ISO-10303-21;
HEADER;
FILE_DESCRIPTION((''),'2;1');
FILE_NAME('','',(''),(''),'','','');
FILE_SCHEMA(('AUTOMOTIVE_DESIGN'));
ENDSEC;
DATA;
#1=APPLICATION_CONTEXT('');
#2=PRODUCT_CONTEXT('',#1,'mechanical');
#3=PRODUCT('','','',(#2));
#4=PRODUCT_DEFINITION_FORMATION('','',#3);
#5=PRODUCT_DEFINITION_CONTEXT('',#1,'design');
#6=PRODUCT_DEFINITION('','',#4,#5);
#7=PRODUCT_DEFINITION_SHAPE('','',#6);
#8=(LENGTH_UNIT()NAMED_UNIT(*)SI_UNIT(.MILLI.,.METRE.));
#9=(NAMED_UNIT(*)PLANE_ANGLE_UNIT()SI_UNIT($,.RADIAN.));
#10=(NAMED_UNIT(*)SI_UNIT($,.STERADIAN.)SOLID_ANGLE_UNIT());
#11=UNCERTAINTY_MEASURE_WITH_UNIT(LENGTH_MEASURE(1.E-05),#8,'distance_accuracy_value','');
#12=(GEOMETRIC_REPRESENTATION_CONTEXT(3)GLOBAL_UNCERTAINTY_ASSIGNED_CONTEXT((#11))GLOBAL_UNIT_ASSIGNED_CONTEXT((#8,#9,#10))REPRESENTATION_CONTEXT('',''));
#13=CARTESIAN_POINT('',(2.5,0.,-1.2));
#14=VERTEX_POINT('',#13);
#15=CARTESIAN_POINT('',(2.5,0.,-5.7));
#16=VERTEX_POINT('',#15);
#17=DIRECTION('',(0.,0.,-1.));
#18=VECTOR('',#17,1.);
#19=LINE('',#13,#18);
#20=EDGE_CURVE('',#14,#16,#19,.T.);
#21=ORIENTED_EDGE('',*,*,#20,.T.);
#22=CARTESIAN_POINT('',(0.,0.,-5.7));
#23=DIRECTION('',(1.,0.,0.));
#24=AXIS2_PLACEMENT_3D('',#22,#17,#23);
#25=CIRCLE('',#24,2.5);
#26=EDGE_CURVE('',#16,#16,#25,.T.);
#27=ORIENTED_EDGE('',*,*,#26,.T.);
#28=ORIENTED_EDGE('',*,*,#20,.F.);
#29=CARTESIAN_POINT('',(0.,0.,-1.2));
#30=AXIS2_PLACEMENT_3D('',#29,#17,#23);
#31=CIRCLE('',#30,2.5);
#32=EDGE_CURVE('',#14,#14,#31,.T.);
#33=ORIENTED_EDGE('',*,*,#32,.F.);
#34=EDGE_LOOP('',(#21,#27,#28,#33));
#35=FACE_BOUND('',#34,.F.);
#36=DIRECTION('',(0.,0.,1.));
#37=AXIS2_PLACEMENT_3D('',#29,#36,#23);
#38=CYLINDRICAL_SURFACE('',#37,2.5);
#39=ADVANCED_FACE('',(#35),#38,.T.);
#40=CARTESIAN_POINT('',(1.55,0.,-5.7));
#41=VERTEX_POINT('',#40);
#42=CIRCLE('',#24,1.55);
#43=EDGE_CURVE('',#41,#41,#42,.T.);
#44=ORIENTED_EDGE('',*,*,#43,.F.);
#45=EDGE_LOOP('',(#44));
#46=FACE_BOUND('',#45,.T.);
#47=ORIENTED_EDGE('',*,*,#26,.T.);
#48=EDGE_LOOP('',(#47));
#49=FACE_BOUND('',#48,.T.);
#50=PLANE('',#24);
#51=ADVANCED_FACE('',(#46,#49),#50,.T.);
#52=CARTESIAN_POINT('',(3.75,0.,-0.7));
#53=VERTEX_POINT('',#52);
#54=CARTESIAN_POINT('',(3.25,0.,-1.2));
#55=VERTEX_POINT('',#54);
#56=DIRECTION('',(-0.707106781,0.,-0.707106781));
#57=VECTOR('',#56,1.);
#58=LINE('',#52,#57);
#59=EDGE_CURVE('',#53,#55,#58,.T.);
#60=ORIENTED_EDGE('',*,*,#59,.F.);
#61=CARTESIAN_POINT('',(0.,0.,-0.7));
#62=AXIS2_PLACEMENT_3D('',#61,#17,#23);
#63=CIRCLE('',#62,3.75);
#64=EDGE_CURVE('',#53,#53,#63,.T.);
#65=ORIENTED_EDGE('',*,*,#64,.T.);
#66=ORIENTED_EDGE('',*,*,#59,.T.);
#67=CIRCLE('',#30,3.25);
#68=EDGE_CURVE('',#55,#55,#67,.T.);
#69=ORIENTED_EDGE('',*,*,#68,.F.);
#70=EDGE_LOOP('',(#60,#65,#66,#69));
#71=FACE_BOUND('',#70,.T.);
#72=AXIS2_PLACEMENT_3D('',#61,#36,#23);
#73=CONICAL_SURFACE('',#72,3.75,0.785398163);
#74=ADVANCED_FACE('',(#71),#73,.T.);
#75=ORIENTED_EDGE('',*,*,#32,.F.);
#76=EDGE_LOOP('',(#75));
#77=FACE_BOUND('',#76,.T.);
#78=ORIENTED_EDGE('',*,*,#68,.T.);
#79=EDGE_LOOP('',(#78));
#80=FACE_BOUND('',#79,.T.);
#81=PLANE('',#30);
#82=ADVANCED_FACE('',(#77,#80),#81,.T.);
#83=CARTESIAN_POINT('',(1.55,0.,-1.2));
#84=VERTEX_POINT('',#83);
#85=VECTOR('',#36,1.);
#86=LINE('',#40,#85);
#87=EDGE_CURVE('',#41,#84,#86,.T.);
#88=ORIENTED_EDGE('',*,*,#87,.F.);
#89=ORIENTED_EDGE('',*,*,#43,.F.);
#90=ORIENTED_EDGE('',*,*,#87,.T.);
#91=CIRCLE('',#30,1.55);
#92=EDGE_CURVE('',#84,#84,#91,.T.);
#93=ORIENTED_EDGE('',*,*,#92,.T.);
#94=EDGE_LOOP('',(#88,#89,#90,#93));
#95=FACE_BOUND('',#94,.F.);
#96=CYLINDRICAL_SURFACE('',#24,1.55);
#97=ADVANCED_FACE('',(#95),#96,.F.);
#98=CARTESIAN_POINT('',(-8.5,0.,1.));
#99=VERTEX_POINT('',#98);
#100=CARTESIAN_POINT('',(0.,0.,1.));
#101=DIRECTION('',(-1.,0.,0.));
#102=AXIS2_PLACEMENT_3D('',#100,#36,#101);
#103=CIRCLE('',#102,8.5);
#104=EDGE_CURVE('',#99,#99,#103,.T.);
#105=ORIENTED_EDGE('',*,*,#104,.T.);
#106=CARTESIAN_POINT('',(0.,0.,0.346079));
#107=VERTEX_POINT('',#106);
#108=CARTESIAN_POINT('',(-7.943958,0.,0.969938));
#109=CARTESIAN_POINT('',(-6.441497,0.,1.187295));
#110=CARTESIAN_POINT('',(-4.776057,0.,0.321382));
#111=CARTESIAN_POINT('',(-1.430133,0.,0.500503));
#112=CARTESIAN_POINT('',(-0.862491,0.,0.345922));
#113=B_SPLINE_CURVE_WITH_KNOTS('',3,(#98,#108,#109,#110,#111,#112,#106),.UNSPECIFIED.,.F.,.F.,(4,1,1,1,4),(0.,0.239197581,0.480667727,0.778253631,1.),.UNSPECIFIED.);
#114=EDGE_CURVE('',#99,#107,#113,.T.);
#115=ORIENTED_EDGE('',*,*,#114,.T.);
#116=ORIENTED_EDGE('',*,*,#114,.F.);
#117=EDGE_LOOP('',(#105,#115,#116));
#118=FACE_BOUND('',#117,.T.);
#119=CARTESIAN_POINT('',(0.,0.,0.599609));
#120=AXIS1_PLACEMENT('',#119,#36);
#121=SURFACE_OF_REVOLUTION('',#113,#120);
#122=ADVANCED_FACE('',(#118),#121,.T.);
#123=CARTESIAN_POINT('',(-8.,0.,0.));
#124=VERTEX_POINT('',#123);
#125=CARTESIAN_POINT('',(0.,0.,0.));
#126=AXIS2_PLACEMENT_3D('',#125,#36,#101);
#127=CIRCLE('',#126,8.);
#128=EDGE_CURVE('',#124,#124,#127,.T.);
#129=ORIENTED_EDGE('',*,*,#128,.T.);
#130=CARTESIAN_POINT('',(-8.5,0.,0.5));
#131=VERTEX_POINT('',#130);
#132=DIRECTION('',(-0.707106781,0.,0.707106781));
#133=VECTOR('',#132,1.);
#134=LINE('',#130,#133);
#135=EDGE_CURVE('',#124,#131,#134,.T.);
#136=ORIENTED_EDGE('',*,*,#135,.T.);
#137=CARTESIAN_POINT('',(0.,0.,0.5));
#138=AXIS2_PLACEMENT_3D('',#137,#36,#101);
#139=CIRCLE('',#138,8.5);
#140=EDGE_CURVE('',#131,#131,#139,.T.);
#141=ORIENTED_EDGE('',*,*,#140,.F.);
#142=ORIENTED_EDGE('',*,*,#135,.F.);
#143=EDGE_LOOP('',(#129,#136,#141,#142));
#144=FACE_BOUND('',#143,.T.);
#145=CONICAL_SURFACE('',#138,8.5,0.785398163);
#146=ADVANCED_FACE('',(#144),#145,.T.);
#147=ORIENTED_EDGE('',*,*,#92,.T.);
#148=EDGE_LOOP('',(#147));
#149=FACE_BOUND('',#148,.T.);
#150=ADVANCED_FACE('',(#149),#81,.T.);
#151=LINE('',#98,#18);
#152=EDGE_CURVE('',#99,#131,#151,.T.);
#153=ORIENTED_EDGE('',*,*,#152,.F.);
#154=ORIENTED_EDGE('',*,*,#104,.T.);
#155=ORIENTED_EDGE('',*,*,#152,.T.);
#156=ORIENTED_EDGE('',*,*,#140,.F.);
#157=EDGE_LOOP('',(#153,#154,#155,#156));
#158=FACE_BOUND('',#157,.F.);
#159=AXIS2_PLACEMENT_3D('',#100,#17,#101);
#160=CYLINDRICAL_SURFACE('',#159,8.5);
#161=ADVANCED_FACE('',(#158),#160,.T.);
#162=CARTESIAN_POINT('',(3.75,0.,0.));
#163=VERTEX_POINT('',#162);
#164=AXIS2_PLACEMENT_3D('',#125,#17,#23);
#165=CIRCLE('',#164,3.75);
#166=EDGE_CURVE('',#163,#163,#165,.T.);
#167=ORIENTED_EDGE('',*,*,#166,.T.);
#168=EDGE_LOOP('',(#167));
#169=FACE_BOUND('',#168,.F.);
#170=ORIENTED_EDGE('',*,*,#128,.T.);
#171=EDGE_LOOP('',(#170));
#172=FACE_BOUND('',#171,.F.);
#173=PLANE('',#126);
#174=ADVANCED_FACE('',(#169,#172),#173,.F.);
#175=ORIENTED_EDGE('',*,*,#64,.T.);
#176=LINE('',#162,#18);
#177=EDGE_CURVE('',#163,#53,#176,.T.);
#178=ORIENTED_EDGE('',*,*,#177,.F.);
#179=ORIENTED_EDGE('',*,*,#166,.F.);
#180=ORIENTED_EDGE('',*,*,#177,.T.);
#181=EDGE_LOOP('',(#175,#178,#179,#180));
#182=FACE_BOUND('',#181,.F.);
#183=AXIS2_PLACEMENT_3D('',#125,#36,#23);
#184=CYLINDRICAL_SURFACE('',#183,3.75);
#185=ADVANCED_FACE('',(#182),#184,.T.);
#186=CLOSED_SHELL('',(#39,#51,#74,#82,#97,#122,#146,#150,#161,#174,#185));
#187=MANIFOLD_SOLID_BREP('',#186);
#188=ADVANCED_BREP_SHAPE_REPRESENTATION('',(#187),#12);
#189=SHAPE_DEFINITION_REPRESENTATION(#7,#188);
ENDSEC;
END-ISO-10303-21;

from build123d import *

# Parameters (mm, degrees)
F2_R     = 3.75
F3_DEPTH = 1.2
F4_R     = 2.5
F5_DEPTH = 4.5
F6_R     = 1.55
F7_DEPTH = 4.5
F8_SIZE2 = 0.5
F8_SIZE  = 0.5


with BuildPart() as f1:
    # F0 (on Front) → F1 (revolve)
    with BuildSketch(Plane.XZ):
        with BuildLine():
            Line((-8.5, 0), (0, 0))
            Line((0, 0), (0, 0.346079265))
            add(Edge.make_bspline(
                [(-8.5, 1), (-7.9439580441, 0.9699382936), (-6.4414965177, 1.1872948826), (-4.7760567404, 0.3213823797), (-1.4301329999, 0.5005030041), (-0.8624908504, 0.3459224587), (0, 0.346079265)],
                knots=[0, 0, 0, 0, 0.2391975808, 0.4806677273, 0.7782536308, 1, 1, 1, 1], degree=3))
            Line((-8.5, 1), (-8.5, 0))
        make_face()
    revolve(axis=Axis((0, 0, 0.599608873), (0, 0, 1)))

    # F2 (on face) → F3 (join)
    with BuildSketch(Plane(origin=(0, 0, 0), x_dir=(1, 0, 0), z_dir=(0, 0, -1))):
        Circle(F2_R)
    extrude(amount=F3_DEPTH)

    # F4 (on face) → F5 (join)
    with BuildSketch(Plane(origin=(0, 0, -1.2), x_dir=(1, 0, 0), z_dir=(0, 0, -1))):
        Circle(F4_R)
    extrude(amount=F5_DEPTH)

    # F6 (on face) → F7 (cut, through all)
    with BuildSketch(Plane(origin=(0, 0, -5.7), x_dir=(1, 0, 0), z_dir=(0, 0, -1))):
        Circle(F6_R)
    extrude(amount=-F7_DEPTH, mode=Mode.SUBTRACT)

    # F8
    f8_edges = [f1.edges().sort_by_distance(p)[0] for p in [
        (-3.75, 0, -1.2),
        (8.5, 0, 0),
    ]]
    chamfer(f8_edges, length=F8_SIZE, length2=F8_SIZE2)


solid = f1.part
